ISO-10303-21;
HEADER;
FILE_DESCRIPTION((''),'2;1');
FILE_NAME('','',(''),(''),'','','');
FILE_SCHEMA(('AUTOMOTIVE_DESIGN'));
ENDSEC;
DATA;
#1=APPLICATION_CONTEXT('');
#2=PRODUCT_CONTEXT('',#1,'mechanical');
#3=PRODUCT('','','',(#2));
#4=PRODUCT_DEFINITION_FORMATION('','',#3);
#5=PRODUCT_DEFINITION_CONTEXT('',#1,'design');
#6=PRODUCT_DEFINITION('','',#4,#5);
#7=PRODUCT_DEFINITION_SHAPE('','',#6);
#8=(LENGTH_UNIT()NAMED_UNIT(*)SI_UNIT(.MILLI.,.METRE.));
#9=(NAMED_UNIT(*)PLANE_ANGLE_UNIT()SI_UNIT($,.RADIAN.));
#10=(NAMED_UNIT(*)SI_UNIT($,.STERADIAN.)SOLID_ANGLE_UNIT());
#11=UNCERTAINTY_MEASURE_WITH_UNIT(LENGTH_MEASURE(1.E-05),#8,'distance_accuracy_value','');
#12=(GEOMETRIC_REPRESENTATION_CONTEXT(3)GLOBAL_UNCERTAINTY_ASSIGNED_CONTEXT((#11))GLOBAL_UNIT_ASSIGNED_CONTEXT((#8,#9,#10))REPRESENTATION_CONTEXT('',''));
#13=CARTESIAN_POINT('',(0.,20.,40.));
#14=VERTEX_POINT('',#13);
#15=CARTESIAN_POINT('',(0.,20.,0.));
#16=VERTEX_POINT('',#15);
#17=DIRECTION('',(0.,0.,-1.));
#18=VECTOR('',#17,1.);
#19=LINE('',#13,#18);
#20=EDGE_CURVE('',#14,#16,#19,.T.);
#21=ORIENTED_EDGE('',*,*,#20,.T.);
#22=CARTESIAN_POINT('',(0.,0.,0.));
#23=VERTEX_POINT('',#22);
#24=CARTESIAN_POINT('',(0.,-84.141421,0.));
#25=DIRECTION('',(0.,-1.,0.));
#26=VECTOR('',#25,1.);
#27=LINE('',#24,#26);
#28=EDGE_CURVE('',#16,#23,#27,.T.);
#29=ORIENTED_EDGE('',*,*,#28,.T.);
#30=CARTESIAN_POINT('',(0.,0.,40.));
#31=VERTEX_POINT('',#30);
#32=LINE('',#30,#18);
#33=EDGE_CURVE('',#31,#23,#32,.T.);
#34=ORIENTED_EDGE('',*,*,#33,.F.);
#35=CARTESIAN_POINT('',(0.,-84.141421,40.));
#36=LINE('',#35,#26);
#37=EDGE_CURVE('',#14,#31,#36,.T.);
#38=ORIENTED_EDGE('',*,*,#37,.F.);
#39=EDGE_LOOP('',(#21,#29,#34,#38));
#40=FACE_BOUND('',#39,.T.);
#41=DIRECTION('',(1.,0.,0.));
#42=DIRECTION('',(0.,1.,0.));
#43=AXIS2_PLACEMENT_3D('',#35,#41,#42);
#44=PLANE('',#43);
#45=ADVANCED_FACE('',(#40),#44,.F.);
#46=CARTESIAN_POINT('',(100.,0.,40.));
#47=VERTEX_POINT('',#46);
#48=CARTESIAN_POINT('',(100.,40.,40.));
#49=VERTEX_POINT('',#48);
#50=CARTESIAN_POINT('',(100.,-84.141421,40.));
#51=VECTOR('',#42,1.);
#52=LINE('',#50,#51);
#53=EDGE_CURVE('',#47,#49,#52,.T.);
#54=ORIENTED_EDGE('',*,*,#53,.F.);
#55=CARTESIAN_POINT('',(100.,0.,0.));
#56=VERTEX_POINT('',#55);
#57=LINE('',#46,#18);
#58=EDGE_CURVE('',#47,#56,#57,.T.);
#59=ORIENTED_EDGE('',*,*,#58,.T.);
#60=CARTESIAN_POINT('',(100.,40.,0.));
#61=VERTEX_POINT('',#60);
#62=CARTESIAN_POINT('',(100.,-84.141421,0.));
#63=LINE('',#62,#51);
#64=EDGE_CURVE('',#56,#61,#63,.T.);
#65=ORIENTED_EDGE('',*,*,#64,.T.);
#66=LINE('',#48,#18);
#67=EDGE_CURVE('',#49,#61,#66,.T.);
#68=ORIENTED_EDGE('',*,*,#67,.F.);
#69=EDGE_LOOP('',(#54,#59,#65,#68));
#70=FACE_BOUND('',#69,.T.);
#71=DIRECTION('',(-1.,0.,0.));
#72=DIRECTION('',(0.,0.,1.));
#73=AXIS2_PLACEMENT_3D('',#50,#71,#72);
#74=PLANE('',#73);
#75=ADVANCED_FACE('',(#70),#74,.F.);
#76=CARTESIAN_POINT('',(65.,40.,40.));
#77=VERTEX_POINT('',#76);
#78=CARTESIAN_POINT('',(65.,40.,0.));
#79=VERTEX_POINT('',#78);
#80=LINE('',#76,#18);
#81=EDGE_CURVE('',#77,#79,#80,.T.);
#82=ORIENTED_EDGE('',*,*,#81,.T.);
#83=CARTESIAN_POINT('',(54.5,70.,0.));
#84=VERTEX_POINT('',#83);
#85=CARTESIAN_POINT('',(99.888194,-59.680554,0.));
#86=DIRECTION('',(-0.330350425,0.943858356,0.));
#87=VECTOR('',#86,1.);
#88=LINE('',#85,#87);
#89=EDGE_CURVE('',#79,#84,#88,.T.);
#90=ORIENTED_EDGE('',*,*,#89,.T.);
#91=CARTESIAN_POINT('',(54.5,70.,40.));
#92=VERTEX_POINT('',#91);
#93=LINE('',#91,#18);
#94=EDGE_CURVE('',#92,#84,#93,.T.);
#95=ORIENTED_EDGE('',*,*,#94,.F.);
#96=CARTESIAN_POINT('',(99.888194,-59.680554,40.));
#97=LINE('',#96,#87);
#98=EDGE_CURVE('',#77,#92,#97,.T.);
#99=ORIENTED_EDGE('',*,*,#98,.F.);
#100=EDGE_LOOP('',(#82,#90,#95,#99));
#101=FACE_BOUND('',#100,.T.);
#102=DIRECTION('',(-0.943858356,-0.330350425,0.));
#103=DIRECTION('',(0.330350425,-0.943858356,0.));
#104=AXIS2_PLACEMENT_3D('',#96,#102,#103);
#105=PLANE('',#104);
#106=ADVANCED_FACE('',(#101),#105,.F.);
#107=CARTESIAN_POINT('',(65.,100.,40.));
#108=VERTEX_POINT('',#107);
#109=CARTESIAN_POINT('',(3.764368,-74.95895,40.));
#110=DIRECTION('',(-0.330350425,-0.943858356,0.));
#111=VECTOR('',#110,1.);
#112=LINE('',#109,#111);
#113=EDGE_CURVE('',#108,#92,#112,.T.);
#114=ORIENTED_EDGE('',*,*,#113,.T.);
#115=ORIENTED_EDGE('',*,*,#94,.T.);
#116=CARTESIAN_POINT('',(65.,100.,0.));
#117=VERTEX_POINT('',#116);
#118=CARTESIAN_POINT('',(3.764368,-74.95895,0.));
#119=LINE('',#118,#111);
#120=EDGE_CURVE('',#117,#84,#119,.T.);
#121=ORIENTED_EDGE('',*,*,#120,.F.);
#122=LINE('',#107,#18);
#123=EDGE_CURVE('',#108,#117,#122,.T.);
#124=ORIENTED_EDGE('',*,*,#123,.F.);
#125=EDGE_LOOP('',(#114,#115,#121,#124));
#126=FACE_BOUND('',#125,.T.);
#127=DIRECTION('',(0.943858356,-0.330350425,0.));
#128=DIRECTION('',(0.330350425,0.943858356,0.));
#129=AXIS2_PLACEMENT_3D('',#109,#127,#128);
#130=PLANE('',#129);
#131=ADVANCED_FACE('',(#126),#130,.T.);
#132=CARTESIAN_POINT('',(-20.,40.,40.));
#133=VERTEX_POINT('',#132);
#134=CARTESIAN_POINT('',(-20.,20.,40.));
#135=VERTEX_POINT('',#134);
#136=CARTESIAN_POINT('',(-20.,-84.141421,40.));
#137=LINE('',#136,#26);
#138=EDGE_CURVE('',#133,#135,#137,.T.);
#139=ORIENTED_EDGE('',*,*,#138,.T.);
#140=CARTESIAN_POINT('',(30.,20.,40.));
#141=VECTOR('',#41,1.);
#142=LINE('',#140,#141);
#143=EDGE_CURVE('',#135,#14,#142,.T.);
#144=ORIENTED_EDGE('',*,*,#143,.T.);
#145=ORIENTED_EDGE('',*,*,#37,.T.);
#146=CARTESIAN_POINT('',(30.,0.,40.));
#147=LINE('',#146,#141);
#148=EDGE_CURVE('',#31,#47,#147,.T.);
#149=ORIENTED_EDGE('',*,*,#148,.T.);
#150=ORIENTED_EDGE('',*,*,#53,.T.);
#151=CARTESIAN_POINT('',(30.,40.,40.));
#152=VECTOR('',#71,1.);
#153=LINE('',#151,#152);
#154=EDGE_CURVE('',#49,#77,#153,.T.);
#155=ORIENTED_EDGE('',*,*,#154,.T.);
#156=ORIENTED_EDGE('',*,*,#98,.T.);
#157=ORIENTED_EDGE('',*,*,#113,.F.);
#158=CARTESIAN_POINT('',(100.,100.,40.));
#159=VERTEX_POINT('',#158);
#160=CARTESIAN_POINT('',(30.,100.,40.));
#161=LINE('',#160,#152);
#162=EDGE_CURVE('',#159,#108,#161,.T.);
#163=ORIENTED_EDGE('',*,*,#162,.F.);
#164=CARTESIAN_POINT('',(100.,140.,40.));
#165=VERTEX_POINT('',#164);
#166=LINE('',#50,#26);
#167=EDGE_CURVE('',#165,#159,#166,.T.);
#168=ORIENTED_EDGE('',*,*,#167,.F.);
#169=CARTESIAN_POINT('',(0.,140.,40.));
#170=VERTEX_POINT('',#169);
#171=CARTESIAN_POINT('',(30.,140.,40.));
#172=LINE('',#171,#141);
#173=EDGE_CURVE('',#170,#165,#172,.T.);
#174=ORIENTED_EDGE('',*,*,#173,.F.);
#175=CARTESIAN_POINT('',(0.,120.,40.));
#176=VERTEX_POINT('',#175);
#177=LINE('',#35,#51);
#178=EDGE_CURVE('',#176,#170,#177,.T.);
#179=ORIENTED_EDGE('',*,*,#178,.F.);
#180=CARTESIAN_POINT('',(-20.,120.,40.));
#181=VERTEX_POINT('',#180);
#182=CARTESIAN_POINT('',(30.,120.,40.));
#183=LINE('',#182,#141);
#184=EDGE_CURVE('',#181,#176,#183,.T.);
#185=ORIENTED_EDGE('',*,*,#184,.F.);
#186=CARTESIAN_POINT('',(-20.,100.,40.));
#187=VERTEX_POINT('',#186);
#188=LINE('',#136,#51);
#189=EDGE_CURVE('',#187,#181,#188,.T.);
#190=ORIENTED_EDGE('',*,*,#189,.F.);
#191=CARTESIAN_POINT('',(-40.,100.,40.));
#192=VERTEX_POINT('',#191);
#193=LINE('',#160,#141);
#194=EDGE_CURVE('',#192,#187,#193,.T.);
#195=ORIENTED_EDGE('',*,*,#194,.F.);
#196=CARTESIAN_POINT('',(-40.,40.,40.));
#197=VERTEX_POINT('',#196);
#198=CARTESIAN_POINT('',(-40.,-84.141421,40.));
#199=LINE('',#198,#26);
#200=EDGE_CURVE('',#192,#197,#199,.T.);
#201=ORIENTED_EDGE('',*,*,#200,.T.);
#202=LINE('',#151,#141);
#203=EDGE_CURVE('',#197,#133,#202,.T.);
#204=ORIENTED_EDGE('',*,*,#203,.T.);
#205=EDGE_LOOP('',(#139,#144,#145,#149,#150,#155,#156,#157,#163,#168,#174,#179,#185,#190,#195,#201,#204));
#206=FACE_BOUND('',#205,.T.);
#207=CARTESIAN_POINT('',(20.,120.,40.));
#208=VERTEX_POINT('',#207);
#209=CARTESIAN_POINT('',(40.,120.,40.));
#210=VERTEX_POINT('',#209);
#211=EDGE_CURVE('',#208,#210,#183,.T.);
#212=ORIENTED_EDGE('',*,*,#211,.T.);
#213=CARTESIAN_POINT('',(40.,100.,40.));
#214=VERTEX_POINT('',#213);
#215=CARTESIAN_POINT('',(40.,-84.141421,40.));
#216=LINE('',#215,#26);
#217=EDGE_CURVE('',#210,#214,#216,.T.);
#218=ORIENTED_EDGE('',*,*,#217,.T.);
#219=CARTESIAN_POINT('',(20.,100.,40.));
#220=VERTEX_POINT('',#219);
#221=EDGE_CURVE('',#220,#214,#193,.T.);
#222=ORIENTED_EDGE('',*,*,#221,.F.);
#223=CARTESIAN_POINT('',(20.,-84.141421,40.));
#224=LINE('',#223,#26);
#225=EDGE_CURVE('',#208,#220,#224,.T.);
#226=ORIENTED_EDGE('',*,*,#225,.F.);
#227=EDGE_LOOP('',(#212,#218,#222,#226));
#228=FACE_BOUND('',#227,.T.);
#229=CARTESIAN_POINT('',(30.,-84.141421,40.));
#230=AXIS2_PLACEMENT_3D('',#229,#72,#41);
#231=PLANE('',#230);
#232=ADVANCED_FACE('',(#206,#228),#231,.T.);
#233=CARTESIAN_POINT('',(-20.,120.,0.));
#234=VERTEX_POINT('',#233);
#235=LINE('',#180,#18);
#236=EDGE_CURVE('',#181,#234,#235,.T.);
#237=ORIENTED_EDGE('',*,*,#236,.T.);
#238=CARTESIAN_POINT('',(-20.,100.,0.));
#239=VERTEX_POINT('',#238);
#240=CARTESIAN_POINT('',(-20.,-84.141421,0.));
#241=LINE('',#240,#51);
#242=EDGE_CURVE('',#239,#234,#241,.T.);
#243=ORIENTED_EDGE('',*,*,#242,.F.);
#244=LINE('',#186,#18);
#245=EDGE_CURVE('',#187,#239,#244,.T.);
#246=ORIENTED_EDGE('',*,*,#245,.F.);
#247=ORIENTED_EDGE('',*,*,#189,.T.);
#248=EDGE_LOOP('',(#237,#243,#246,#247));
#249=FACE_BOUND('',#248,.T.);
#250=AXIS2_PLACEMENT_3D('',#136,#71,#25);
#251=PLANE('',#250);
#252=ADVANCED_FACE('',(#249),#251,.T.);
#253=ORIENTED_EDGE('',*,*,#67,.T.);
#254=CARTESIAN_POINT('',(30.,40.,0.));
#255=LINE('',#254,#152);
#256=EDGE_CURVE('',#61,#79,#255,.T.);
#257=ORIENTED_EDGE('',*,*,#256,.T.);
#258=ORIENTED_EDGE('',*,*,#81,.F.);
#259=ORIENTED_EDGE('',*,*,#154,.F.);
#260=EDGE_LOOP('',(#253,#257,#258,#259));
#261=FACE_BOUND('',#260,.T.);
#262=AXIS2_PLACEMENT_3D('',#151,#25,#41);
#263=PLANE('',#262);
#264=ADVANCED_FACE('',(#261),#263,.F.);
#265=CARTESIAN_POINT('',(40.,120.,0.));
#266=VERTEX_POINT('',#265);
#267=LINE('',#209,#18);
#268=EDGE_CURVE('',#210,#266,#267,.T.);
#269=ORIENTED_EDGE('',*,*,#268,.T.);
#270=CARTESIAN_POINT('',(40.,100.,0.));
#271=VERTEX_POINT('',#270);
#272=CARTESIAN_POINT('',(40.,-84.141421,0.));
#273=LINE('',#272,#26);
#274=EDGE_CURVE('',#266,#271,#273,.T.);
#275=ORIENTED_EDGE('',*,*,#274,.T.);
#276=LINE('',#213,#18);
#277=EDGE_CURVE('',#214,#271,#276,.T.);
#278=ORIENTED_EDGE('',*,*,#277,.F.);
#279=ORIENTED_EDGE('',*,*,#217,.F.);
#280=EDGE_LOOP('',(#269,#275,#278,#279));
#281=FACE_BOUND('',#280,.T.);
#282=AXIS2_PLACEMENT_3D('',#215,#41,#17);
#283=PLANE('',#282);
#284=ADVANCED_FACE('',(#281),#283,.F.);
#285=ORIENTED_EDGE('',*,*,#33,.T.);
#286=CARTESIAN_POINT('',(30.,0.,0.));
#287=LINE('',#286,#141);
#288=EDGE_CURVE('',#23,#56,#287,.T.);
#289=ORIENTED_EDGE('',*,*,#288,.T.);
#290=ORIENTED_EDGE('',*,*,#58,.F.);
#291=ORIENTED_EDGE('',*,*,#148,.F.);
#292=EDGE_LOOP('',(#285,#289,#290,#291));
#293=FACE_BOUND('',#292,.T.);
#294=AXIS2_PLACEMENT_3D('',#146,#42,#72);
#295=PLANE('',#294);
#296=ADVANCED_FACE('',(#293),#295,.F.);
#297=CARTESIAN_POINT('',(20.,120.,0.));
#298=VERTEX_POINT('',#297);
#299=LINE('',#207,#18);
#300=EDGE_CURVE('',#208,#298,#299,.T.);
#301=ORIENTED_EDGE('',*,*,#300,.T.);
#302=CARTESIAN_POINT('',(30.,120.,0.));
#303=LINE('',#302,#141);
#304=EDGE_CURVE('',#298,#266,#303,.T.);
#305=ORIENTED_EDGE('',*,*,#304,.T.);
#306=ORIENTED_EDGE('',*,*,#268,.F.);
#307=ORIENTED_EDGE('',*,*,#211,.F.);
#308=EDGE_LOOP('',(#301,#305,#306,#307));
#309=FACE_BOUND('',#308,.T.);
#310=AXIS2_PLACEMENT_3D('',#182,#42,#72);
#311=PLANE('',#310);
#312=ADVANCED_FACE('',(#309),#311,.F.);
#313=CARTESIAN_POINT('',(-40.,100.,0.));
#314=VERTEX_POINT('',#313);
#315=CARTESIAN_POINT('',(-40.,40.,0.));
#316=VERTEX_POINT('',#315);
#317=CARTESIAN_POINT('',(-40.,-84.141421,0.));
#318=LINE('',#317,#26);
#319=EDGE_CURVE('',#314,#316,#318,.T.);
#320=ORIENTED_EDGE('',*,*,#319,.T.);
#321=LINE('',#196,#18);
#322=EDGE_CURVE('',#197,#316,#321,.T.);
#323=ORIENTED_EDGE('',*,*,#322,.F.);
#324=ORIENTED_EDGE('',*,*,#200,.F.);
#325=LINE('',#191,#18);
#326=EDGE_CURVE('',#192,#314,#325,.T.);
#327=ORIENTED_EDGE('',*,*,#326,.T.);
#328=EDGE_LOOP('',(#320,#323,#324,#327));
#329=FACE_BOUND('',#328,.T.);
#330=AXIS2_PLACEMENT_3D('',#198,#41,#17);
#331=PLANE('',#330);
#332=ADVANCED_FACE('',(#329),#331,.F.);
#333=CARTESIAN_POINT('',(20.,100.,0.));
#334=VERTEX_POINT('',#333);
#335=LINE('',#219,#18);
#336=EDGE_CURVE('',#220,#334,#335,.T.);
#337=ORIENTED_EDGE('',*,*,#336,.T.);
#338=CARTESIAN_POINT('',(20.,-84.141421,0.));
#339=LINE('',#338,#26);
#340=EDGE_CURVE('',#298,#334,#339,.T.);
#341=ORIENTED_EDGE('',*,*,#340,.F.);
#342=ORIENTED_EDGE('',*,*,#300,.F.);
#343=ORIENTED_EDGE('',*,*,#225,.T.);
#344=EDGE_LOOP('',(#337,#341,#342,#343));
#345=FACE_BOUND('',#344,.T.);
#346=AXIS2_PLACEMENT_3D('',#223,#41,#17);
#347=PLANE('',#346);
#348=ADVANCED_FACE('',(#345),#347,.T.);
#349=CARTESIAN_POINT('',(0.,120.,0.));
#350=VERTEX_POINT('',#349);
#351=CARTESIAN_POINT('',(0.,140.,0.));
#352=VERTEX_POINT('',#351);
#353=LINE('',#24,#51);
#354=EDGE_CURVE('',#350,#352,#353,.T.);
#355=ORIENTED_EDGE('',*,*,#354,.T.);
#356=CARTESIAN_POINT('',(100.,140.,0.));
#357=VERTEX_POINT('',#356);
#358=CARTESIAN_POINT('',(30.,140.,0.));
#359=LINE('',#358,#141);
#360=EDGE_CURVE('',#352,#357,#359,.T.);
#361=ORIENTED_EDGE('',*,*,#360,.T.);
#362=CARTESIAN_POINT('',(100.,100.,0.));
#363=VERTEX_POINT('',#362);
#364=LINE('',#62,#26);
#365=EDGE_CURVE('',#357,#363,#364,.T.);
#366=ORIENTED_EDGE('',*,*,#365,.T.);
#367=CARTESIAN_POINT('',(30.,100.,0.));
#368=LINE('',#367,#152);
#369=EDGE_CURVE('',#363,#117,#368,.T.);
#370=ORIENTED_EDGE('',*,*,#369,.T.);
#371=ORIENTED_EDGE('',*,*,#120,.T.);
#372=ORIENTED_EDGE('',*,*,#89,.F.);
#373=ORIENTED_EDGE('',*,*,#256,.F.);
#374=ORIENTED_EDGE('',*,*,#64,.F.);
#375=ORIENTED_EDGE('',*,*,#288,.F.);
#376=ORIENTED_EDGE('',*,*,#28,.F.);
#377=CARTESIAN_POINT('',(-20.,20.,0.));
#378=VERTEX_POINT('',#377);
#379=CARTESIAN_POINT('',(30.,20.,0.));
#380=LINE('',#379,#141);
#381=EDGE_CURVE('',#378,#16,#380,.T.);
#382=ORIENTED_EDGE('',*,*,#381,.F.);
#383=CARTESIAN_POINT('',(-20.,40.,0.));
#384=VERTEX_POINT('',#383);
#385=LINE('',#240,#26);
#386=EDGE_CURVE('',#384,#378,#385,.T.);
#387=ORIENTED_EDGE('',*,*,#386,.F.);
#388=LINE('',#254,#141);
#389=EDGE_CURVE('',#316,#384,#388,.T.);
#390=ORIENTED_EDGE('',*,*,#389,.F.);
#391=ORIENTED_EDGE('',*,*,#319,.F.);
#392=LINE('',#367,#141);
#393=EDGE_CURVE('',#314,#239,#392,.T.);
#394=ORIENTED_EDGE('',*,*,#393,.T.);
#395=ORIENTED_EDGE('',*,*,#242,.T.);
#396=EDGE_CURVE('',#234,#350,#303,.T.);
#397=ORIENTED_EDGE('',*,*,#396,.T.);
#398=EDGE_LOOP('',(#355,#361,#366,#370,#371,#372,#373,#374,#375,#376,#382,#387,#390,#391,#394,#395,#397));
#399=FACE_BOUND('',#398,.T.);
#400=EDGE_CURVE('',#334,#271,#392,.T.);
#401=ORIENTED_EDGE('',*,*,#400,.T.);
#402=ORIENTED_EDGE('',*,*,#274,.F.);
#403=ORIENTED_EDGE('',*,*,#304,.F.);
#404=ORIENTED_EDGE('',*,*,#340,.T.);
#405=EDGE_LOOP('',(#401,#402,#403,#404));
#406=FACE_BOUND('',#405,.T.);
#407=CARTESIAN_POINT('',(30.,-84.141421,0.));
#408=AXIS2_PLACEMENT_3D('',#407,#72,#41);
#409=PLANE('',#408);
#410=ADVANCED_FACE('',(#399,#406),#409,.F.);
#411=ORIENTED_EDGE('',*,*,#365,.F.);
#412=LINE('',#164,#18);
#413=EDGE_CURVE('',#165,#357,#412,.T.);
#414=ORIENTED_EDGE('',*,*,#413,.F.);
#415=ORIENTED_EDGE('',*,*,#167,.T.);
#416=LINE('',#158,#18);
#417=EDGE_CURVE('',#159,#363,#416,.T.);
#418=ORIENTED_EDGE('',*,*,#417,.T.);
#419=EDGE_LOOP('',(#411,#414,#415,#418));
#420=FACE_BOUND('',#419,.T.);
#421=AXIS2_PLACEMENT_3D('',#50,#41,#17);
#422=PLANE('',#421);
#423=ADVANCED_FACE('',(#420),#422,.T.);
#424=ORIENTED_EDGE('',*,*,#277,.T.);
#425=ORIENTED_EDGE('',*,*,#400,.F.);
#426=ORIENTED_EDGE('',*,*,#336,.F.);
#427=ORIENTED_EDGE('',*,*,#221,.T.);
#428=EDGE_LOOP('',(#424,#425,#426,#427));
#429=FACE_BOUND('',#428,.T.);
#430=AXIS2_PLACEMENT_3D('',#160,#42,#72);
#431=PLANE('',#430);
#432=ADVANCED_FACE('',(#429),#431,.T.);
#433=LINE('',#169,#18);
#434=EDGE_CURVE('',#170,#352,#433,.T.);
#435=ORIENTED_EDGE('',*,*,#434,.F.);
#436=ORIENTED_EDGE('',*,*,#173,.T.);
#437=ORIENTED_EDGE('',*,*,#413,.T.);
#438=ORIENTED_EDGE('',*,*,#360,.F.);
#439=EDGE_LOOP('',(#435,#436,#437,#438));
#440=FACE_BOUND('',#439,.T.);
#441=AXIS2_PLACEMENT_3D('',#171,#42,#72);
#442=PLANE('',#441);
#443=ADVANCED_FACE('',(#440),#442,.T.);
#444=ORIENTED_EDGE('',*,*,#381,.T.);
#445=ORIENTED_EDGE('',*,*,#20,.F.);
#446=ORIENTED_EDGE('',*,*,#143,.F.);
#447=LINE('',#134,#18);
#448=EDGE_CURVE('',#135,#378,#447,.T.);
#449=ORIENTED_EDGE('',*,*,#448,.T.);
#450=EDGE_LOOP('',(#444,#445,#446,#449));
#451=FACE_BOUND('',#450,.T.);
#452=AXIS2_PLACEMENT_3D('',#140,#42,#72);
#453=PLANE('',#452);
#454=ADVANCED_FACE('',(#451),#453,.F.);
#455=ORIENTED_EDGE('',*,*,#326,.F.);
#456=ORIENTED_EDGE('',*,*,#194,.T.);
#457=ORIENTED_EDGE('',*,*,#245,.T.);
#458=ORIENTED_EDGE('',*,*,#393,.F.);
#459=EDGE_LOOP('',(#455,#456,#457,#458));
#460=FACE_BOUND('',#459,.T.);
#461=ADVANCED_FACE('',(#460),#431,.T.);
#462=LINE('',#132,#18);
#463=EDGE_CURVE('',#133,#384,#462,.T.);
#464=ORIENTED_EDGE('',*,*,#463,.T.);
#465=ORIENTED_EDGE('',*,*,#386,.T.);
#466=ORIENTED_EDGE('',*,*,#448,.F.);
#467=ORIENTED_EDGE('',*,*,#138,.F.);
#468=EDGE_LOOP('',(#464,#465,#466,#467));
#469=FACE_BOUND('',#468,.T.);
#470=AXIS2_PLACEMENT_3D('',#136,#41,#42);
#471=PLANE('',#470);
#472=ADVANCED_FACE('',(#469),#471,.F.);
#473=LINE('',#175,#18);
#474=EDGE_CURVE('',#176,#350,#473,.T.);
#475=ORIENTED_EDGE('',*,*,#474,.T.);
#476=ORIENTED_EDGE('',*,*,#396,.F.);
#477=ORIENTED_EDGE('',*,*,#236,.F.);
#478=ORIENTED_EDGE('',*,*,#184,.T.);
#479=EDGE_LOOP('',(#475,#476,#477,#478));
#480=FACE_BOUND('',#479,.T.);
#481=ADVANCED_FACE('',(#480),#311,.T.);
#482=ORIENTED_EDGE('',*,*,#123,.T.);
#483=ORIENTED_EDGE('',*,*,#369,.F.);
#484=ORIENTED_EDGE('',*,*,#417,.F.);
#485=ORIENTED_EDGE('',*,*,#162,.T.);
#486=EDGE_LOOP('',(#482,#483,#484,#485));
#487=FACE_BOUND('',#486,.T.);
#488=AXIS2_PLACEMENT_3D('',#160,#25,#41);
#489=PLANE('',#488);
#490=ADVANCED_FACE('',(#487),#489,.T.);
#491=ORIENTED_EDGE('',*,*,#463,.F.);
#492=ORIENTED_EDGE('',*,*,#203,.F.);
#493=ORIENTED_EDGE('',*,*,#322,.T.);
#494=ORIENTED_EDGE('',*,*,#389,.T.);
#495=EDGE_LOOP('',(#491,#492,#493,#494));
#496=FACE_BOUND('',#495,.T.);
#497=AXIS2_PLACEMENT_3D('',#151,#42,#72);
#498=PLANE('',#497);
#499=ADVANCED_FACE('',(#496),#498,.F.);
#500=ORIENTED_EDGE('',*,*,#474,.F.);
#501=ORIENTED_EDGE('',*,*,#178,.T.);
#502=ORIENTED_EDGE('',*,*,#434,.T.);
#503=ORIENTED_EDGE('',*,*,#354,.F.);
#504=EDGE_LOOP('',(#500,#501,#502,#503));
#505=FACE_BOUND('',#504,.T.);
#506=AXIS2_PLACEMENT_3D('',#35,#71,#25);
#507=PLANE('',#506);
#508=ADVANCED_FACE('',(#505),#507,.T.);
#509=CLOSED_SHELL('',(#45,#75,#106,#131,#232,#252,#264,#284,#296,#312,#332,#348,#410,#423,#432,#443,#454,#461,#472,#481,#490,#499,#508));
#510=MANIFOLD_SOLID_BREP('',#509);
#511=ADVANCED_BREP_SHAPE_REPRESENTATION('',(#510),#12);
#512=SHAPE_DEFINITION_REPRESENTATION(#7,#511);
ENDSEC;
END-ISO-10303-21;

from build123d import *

# Parameters (mm, degrees)
SKETCH1_W      = 20
SKETCH1_H      = 20
EXTRUDE1_DEPTH = 40


with BuildPart() as part:
    # Sketch1 → Extrude1 (new body)
    with BuildSketch(Plane.XY):
        Polygon((0, 140), (100, 140), (100, 100), (65, 100), (54.5, 70), (65, 40), (100, 40), (100, 0), (0, 0), (0, 20), (-20, 20), (-20, 40), (-40, 40), (-40, 100), (-20, 100), (-20, 120), (0, 120), align=None)
        with Locations((30, 110)):
            Rectangle(SKETCH1_W, SKETCH1_H, mode=Mode.SUBTRACT)
    extrude(amount=EXTRUDE1_DEPTH)


solid = part.part
